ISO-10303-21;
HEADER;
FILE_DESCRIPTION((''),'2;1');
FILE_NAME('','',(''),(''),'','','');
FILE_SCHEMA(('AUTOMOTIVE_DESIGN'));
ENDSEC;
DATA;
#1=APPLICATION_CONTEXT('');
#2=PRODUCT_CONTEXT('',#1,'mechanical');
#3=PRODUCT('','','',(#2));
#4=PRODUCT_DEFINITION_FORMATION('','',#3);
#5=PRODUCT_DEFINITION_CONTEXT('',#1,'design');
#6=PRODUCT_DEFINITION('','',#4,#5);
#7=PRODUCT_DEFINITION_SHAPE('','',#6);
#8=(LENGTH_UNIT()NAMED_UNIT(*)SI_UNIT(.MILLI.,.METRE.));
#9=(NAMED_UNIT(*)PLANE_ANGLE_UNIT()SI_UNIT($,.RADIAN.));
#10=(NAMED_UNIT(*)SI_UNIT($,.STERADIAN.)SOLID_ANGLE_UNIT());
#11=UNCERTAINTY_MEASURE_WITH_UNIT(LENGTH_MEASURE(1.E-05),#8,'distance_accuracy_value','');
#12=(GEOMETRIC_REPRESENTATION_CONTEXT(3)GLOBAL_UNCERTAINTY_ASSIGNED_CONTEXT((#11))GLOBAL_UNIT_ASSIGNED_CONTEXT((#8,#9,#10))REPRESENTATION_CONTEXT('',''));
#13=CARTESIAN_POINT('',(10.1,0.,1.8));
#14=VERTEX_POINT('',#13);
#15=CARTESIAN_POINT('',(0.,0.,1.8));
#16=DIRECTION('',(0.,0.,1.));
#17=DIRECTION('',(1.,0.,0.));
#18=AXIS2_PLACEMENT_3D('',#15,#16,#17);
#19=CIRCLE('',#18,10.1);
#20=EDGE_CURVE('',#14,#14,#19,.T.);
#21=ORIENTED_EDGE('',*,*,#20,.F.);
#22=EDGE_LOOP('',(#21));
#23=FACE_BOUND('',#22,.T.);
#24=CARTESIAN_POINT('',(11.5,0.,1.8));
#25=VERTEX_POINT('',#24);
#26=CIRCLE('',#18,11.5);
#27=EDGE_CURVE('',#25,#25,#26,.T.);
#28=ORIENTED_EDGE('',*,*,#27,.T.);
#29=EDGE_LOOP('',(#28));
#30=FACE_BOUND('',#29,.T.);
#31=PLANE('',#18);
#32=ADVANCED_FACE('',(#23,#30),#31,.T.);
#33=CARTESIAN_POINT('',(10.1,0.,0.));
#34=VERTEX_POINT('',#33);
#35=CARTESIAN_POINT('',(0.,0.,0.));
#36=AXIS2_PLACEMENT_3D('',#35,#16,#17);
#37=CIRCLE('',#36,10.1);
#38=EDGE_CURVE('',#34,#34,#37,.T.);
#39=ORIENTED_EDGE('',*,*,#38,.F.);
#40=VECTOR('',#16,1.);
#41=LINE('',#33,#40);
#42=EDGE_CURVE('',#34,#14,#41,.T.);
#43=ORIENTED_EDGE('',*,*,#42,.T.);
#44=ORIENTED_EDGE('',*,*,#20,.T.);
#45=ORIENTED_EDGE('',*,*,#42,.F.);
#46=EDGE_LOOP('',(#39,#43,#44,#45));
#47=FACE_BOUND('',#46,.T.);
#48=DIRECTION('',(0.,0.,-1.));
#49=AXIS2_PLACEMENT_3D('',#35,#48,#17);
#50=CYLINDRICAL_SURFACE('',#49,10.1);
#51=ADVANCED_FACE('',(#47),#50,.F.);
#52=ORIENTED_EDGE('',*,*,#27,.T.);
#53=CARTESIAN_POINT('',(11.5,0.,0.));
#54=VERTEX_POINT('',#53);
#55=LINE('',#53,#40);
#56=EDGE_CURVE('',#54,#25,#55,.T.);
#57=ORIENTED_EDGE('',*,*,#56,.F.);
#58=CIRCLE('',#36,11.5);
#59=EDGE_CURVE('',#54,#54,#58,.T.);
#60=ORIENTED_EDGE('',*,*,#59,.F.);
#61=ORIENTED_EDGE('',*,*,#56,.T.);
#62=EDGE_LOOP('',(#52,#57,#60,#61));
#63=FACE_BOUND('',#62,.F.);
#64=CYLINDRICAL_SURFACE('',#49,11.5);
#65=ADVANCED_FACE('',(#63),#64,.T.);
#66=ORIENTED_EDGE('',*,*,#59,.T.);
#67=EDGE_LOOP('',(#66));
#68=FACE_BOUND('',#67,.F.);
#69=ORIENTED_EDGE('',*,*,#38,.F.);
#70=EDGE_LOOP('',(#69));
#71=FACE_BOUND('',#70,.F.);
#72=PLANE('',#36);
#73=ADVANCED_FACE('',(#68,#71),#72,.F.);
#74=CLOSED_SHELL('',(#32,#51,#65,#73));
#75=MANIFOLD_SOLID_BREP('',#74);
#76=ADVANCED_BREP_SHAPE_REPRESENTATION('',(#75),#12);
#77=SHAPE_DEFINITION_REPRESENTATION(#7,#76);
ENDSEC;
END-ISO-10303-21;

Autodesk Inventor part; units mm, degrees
ref_plane "YZ Plane" through (0, 0, 0) normal (1, 0, 0) x (0, 1, 0)
ref_plane "XZ Plane" through (0, 0, 0) normal (0, 1, 0) x (-1, 0, 0)
ref_plane "XY Plane" through (0, 0, 0) normal (0, 0, 1) x (1, 0, 0)
sketch "Эскиз1" plane through (0, 0, 0) normal (0, 0, 1) x (1, 0, 0)
  circle A0 centre (0, 0) radius 10.1
  circle A1 centre (0, 0) radius 11.5
  dimension "d0" = 20.2
  dimension "d1" = 23
extrude "Выдавливание1" add sketch "Эскиз1" along normal blind 1.8
properties part number "проставка со стороны потеницометра"
